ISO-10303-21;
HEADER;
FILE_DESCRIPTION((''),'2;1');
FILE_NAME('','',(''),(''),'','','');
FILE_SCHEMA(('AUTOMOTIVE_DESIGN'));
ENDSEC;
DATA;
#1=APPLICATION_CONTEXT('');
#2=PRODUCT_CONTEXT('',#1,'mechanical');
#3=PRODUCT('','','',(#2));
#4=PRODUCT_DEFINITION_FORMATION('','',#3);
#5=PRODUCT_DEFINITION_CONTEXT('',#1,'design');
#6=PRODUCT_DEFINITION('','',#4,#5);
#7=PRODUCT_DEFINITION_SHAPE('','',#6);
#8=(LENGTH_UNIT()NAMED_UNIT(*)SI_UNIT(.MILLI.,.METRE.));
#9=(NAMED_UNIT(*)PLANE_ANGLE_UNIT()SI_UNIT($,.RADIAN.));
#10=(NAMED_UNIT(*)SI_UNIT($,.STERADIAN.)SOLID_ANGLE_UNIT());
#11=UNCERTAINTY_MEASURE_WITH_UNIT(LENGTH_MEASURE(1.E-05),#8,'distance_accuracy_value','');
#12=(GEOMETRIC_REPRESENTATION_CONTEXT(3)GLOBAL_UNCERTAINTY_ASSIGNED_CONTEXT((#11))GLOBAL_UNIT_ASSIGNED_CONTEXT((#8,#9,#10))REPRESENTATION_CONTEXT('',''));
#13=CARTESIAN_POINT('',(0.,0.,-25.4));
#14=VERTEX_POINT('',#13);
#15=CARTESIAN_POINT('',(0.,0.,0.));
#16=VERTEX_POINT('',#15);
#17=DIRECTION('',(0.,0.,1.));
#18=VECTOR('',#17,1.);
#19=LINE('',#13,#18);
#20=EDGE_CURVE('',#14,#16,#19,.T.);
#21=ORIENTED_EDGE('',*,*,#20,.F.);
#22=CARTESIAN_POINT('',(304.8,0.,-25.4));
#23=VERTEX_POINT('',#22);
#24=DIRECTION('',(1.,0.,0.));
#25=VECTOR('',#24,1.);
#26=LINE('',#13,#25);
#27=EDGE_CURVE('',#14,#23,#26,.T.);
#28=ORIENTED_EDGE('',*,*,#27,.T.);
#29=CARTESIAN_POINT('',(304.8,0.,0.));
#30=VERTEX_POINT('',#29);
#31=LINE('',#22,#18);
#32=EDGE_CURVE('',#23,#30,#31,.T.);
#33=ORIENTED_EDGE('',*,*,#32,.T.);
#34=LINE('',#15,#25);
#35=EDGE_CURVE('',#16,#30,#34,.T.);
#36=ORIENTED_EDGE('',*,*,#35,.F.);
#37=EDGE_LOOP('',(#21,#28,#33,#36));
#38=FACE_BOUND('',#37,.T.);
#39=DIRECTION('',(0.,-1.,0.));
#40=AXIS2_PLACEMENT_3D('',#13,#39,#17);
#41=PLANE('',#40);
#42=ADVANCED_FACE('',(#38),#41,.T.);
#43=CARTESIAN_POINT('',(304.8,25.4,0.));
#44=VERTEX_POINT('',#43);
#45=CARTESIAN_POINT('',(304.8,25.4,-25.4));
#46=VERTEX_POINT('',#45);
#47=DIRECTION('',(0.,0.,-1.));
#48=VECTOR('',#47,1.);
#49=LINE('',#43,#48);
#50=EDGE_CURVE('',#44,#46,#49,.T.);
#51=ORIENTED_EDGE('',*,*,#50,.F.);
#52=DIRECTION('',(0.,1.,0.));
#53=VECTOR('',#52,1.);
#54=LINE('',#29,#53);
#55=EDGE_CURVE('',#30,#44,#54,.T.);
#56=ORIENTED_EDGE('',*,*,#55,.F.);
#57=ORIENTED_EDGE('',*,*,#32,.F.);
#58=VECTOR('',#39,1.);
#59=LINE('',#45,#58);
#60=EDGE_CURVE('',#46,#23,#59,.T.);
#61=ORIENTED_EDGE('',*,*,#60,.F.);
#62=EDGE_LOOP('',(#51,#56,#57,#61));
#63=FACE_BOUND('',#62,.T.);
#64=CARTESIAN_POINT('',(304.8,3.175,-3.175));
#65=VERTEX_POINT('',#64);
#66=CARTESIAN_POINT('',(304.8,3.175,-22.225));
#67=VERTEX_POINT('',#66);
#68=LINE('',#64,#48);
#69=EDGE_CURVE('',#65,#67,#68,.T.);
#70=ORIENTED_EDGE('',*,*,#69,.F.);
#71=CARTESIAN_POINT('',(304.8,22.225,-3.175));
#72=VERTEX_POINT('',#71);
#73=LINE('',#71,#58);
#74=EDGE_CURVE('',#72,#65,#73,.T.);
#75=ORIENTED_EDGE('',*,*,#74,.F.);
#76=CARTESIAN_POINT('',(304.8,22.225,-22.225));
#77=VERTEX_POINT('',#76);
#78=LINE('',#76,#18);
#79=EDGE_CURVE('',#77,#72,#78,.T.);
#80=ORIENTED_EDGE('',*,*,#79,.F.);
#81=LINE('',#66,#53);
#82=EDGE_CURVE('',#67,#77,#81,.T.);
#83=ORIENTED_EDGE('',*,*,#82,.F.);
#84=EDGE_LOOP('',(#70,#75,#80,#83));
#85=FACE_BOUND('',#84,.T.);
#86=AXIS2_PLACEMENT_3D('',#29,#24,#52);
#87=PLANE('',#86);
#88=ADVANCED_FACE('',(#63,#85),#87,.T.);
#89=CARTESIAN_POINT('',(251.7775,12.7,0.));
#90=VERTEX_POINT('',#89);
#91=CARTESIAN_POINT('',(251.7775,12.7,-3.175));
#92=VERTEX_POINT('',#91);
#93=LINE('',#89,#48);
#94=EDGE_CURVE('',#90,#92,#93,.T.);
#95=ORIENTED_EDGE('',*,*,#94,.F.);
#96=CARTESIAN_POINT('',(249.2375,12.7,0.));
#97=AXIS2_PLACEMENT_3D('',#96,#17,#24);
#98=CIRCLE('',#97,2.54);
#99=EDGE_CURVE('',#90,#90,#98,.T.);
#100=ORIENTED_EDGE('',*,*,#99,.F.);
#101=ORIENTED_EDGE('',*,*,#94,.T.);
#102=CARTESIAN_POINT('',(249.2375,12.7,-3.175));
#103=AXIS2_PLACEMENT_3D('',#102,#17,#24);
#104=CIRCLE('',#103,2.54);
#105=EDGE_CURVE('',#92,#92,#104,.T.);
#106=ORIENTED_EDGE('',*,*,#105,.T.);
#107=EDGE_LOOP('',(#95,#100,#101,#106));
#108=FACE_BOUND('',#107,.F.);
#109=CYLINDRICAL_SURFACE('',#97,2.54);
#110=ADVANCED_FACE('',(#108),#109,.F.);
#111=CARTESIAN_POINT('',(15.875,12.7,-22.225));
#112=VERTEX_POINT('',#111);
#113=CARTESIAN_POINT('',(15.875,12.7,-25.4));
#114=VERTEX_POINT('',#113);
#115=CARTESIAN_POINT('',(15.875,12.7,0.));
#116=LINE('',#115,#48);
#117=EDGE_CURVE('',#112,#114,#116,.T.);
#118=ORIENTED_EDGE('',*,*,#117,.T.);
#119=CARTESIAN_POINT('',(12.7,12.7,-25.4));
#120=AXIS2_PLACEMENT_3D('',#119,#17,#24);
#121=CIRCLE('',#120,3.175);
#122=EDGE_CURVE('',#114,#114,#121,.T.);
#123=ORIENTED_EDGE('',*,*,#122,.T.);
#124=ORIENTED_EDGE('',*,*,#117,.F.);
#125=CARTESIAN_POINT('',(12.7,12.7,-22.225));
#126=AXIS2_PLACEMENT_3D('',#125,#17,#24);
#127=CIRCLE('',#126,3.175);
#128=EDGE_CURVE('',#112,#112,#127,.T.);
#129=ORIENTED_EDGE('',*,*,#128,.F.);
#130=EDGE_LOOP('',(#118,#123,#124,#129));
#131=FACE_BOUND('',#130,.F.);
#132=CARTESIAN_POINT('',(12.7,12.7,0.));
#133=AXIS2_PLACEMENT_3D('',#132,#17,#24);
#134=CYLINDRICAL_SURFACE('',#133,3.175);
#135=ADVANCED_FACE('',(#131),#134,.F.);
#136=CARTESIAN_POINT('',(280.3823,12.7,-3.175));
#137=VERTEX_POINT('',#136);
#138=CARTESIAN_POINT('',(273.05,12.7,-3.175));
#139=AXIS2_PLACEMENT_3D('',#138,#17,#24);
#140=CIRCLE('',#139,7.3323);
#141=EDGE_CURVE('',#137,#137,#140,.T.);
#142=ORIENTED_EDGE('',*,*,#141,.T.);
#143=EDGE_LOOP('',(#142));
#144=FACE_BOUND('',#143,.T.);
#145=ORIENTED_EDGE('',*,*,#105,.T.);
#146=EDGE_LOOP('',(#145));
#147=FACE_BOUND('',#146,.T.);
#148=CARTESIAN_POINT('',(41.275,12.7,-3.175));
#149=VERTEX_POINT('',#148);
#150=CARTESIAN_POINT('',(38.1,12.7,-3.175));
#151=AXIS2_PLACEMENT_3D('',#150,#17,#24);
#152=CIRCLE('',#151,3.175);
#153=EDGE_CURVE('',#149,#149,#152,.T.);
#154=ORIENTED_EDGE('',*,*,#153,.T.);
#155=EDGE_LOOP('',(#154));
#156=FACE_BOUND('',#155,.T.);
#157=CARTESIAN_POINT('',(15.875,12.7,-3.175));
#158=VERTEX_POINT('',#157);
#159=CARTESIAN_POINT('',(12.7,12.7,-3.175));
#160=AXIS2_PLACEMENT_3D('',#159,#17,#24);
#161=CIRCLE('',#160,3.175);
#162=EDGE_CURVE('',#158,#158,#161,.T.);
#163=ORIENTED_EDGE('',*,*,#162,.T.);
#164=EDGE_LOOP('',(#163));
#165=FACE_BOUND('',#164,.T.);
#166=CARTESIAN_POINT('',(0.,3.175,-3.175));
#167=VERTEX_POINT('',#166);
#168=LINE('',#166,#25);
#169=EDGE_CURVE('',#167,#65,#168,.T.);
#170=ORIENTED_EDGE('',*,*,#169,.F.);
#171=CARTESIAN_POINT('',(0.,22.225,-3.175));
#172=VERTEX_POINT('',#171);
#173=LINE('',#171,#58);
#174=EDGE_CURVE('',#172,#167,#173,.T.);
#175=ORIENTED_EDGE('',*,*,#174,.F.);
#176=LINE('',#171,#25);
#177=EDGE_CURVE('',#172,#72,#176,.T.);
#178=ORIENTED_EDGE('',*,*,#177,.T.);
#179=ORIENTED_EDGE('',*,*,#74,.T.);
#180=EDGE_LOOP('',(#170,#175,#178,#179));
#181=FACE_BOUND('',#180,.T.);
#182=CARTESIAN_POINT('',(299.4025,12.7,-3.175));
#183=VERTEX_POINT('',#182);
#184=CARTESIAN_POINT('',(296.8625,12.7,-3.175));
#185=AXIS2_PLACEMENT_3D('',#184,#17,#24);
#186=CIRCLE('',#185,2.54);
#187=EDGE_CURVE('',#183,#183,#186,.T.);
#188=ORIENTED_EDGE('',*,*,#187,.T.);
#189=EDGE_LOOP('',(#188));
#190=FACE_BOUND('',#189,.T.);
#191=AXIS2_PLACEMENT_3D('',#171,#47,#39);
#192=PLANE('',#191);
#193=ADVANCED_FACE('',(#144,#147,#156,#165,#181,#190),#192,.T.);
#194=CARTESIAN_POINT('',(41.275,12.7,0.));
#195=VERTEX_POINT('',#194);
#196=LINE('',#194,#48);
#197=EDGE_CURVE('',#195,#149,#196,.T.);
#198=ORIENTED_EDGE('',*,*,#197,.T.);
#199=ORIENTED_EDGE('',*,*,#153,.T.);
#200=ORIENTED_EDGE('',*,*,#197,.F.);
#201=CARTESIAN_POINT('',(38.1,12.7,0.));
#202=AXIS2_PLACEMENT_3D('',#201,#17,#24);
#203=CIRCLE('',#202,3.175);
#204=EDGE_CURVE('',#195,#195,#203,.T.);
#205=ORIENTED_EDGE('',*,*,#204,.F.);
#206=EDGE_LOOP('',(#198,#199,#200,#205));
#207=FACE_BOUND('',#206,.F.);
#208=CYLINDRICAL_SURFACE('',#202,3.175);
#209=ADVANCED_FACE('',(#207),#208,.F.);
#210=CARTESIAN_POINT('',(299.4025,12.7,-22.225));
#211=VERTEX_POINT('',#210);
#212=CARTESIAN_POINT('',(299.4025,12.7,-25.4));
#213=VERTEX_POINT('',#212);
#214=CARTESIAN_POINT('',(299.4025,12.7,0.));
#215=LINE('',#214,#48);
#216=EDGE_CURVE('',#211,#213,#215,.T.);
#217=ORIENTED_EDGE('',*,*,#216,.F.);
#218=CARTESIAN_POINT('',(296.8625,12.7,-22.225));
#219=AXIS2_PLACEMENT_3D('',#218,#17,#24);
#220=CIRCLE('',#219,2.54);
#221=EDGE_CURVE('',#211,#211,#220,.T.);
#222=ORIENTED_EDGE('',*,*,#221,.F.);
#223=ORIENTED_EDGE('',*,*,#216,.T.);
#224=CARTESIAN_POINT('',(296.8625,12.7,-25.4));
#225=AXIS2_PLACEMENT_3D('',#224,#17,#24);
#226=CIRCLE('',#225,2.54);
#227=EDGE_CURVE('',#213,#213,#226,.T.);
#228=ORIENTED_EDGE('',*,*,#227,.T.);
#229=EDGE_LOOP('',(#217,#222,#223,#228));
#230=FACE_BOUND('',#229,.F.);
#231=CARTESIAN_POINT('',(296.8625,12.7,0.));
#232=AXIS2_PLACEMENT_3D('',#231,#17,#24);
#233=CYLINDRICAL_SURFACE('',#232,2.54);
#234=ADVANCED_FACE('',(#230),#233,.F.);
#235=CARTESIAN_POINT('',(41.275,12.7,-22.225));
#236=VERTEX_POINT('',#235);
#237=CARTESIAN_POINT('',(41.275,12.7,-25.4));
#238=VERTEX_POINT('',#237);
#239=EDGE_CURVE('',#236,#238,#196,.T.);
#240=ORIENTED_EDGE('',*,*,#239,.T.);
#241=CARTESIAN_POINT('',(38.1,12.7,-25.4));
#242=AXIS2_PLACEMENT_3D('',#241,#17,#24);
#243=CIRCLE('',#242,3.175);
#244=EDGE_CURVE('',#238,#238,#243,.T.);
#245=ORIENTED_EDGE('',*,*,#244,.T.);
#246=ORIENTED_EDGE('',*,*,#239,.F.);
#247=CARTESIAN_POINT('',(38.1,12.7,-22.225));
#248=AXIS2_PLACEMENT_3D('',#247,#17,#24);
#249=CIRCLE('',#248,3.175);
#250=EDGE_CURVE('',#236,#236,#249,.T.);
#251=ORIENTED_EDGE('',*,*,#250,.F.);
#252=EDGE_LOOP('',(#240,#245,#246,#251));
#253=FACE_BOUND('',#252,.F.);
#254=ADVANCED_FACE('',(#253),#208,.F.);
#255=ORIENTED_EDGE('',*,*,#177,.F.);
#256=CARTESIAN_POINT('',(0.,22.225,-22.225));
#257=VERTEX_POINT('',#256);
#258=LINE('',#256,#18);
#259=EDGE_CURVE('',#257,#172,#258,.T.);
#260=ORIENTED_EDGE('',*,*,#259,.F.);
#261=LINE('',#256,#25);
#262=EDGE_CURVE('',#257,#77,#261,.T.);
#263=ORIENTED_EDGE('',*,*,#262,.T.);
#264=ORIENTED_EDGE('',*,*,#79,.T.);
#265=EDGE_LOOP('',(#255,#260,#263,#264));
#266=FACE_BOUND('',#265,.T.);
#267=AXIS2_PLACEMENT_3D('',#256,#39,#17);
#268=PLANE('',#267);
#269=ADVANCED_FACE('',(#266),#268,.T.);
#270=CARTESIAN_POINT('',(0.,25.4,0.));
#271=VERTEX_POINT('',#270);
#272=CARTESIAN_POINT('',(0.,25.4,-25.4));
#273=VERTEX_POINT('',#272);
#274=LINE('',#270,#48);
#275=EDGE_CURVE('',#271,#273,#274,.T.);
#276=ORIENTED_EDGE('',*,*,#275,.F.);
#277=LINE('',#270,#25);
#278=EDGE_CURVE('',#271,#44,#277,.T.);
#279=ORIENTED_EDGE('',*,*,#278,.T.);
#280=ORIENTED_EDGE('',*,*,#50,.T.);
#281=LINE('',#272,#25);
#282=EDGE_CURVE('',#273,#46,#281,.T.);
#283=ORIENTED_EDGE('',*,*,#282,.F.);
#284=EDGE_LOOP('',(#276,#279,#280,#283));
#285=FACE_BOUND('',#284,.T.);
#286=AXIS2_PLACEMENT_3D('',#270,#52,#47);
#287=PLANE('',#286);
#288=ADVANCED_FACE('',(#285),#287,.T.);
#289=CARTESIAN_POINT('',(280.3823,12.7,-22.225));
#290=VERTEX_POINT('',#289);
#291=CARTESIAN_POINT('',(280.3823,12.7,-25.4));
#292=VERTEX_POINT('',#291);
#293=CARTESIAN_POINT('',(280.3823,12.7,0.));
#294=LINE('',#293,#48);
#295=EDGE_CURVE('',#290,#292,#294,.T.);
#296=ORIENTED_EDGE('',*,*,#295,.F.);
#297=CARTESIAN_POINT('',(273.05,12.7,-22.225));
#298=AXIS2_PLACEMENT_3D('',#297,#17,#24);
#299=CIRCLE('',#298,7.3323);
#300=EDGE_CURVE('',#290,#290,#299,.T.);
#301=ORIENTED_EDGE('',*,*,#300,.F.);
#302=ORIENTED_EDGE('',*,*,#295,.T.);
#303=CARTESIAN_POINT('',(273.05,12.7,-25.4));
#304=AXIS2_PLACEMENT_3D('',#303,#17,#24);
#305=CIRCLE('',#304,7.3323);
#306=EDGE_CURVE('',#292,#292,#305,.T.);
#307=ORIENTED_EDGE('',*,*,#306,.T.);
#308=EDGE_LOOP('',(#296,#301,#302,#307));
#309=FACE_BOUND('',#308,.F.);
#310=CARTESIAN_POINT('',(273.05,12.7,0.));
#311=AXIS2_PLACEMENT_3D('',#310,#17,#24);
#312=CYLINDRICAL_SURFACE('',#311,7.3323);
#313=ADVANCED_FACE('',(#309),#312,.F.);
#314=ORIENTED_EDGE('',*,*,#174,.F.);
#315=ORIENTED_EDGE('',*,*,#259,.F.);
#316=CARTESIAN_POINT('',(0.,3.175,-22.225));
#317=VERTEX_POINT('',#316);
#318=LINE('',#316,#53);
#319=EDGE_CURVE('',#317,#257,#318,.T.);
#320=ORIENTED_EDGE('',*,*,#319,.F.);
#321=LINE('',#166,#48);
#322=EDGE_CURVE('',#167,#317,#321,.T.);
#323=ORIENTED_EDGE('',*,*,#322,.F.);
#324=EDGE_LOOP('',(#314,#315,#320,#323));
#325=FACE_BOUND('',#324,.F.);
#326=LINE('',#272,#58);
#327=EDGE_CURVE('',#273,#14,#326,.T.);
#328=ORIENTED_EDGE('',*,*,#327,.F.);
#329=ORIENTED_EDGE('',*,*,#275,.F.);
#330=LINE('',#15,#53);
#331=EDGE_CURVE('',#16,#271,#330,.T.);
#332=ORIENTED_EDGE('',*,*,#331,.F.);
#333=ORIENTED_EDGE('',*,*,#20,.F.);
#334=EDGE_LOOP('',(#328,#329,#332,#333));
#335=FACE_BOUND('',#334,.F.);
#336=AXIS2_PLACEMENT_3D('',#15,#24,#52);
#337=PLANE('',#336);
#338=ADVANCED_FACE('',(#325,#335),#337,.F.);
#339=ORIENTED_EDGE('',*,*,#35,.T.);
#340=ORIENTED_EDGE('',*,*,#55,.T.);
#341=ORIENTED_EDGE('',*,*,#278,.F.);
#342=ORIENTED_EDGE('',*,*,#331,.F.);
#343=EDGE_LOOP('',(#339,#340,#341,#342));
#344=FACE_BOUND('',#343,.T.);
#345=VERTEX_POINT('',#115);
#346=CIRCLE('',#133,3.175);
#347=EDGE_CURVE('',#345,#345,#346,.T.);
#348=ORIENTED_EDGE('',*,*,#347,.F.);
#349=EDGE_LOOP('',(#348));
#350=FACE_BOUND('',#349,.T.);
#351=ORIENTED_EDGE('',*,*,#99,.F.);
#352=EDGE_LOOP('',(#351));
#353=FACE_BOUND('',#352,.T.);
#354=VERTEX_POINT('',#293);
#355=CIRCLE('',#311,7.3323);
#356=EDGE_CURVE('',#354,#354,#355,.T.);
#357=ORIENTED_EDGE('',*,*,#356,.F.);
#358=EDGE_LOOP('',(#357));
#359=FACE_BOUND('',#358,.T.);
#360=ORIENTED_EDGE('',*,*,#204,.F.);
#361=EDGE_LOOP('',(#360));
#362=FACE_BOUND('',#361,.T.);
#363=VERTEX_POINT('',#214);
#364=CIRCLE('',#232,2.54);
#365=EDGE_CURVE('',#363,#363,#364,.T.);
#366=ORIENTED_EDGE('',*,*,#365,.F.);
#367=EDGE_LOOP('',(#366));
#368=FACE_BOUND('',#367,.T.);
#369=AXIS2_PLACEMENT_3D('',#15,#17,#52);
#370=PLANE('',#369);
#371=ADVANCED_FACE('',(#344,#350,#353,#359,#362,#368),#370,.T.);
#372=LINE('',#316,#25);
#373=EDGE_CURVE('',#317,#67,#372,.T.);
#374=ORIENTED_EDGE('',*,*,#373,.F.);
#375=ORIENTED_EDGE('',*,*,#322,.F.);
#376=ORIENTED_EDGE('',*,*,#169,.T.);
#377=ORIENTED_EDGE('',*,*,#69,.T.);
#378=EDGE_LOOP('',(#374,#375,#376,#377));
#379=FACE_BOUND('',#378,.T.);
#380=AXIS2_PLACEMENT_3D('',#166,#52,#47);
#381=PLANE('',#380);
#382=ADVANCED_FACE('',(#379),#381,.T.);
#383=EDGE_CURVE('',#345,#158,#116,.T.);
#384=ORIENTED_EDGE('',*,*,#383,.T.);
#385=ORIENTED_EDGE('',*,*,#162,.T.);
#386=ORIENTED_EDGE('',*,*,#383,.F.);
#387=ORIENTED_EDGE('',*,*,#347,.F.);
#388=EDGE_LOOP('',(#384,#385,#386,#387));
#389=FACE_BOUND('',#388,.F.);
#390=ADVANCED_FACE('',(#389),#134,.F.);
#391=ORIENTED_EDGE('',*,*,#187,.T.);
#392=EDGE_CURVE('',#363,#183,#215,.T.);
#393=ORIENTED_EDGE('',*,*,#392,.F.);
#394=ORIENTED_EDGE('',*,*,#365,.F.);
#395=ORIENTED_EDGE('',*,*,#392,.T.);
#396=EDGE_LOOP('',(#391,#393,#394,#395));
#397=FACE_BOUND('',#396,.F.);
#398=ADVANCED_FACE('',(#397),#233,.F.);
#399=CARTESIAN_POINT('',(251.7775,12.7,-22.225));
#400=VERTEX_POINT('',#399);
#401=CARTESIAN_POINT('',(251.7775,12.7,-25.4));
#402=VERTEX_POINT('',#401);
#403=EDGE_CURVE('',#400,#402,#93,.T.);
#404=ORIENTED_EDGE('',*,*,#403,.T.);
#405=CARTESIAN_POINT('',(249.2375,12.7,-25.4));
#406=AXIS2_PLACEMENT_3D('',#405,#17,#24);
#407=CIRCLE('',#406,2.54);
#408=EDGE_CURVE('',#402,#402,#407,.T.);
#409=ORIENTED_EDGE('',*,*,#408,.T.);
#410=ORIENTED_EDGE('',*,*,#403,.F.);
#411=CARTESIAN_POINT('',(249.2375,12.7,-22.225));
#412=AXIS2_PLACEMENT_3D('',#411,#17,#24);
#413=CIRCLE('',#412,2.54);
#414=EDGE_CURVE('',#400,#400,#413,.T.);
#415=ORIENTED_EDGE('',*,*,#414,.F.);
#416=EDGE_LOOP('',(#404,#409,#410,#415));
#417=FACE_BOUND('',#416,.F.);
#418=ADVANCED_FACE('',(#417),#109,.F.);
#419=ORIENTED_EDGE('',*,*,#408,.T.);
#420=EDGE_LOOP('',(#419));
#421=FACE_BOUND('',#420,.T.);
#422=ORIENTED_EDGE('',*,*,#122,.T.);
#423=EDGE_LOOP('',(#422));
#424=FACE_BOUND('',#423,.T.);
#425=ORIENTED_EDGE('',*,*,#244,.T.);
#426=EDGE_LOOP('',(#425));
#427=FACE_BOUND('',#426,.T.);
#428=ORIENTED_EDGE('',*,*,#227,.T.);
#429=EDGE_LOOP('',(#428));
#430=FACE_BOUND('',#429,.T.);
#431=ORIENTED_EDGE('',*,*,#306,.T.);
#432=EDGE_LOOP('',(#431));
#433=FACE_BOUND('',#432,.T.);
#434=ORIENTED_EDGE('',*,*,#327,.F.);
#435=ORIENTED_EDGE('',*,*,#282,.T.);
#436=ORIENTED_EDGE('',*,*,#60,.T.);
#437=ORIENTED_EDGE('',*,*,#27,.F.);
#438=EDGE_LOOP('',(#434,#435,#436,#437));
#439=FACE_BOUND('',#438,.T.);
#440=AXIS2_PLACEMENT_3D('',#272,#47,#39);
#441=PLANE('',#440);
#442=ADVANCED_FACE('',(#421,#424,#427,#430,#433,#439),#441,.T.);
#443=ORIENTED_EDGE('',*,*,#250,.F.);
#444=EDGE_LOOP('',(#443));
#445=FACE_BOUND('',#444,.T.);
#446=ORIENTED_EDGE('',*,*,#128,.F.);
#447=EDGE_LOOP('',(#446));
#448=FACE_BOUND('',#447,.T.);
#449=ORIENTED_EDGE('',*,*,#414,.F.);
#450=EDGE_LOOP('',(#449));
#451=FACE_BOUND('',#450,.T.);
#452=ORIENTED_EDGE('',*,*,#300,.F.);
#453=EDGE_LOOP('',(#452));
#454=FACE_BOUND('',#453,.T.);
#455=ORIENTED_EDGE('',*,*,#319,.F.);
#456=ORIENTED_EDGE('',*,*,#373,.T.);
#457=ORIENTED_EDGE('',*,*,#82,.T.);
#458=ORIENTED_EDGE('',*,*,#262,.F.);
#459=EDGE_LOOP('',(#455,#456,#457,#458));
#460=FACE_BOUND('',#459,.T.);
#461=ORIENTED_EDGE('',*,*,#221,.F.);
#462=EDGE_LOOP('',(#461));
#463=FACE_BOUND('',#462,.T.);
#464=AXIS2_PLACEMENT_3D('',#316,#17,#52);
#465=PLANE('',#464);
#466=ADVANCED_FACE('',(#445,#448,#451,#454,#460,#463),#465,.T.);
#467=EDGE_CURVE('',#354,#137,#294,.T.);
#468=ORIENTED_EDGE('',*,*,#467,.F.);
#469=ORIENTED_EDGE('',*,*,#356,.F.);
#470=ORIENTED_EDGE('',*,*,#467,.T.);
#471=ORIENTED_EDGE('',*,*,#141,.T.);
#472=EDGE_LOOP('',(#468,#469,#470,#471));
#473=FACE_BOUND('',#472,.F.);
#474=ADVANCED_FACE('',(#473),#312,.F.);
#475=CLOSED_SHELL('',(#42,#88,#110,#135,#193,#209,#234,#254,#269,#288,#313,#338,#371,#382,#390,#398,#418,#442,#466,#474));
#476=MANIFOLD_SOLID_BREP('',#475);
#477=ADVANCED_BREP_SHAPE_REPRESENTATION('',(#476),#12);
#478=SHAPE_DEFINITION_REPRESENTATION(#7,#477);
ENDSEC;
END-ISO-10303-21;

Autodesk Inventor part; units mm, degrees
ref_plane "YZ Plane" through (0, 0, 0) normal (1, 0, 0) x (0, 1, 0)
ref_plane "XZ Plane" through (0, 0, 0) normal (0, 1, 0) x (-1, 0, 0)
ref_plane "XY Plane" through (0, 0, 0) normal (0, 0, 1) x (1, 0, 0)
sketch "Sketch1" plane through (0, 0, 0) normal (1, 0, 0) x (0, 1, 0)
  line L0 (0, 0) -> (25.4, 0)
  line L1 (25.4, 0) -> (25.4, -25.4)
  line L2 (25.4, -25.4) -> (0, -25.4)
  line L3 (0, -25.4) -> (0, 0)
  line L4 (22.225, -3.175) -> (3.175, -3.175)
  line L5 (3.175, -3.175) -> (3.175, -22.225)
  line L6 (3.175, -22.225) -> (22.225, -22.225)
  line L7 (22.225, -22.225) -> (22.225, -3.175)
  dimension "d0" = 25.4
  dimension "d1" = 25.4
  dimension "d2" = 3.175
extrude "Extrusion1" add sketch "Sketch1" along normal blind 304.8
sketch "Sketch2" plane through (0, 0, 0) normal (0, 0, 1) x (1, 0, 0)
  circle A0 centre (273.05, 12.7) radius 23.8125 construction
  line L0 (0, 25.4) -> (304.8, 25.4) construction
  line L1 (304.8, 25.4) -> (304.8, 0) construction
  circle A1 centre (296.8625, 12.7) radius 2.54
  circle A2 centre (249.2375, 12.7) radius 2.54
  line L2 (304.8, 12.7) -> (0, 12.7) construction
  line L3 (0, 0) -> (0, 25.4) construction
  line L4 (276.7162, 19.05) -> (280.3823, 12.7) construction
  line L5 (280.3823, 12.7) -> (276.7162, 6.35) construction
  line L6 (276.7162, 6.35) -> (269.3838, 6.35) construction
  line L7 (269.3838, 6.35) -> (265.7177, 12.7) construction
  line L8 (265.7177, 12.7) -> (269.3838, 19.05) construction
  line L9 (269.3838, 19.05) -> (276.7162, 19.05) construction
  circle A3 centre (273.05, 12.7) radius 7.3323
  circle A4 centre (12.7, 12.7) radius 3.175
  circle A5 centre (38.1, 12.7) radius 3.175
  dimension "d5" = 47.625
  dimension "d6" = 12.7
  dimension "d7" = 31.75
  dimension "d8" = 5.08
  dimension "d9" = 5.08
  dimension "d10" = 12.7
  dimension "d13" = 6.35
  dimension "d14" = 6.35
  dimension "d15" = 12.7
  dimension "d16" = 25.4
extrude "Extrusion2" cut sketch "Sketch2" against normal blind 25.4
properties part number "1x1x12" material "Aluminum 6061"
